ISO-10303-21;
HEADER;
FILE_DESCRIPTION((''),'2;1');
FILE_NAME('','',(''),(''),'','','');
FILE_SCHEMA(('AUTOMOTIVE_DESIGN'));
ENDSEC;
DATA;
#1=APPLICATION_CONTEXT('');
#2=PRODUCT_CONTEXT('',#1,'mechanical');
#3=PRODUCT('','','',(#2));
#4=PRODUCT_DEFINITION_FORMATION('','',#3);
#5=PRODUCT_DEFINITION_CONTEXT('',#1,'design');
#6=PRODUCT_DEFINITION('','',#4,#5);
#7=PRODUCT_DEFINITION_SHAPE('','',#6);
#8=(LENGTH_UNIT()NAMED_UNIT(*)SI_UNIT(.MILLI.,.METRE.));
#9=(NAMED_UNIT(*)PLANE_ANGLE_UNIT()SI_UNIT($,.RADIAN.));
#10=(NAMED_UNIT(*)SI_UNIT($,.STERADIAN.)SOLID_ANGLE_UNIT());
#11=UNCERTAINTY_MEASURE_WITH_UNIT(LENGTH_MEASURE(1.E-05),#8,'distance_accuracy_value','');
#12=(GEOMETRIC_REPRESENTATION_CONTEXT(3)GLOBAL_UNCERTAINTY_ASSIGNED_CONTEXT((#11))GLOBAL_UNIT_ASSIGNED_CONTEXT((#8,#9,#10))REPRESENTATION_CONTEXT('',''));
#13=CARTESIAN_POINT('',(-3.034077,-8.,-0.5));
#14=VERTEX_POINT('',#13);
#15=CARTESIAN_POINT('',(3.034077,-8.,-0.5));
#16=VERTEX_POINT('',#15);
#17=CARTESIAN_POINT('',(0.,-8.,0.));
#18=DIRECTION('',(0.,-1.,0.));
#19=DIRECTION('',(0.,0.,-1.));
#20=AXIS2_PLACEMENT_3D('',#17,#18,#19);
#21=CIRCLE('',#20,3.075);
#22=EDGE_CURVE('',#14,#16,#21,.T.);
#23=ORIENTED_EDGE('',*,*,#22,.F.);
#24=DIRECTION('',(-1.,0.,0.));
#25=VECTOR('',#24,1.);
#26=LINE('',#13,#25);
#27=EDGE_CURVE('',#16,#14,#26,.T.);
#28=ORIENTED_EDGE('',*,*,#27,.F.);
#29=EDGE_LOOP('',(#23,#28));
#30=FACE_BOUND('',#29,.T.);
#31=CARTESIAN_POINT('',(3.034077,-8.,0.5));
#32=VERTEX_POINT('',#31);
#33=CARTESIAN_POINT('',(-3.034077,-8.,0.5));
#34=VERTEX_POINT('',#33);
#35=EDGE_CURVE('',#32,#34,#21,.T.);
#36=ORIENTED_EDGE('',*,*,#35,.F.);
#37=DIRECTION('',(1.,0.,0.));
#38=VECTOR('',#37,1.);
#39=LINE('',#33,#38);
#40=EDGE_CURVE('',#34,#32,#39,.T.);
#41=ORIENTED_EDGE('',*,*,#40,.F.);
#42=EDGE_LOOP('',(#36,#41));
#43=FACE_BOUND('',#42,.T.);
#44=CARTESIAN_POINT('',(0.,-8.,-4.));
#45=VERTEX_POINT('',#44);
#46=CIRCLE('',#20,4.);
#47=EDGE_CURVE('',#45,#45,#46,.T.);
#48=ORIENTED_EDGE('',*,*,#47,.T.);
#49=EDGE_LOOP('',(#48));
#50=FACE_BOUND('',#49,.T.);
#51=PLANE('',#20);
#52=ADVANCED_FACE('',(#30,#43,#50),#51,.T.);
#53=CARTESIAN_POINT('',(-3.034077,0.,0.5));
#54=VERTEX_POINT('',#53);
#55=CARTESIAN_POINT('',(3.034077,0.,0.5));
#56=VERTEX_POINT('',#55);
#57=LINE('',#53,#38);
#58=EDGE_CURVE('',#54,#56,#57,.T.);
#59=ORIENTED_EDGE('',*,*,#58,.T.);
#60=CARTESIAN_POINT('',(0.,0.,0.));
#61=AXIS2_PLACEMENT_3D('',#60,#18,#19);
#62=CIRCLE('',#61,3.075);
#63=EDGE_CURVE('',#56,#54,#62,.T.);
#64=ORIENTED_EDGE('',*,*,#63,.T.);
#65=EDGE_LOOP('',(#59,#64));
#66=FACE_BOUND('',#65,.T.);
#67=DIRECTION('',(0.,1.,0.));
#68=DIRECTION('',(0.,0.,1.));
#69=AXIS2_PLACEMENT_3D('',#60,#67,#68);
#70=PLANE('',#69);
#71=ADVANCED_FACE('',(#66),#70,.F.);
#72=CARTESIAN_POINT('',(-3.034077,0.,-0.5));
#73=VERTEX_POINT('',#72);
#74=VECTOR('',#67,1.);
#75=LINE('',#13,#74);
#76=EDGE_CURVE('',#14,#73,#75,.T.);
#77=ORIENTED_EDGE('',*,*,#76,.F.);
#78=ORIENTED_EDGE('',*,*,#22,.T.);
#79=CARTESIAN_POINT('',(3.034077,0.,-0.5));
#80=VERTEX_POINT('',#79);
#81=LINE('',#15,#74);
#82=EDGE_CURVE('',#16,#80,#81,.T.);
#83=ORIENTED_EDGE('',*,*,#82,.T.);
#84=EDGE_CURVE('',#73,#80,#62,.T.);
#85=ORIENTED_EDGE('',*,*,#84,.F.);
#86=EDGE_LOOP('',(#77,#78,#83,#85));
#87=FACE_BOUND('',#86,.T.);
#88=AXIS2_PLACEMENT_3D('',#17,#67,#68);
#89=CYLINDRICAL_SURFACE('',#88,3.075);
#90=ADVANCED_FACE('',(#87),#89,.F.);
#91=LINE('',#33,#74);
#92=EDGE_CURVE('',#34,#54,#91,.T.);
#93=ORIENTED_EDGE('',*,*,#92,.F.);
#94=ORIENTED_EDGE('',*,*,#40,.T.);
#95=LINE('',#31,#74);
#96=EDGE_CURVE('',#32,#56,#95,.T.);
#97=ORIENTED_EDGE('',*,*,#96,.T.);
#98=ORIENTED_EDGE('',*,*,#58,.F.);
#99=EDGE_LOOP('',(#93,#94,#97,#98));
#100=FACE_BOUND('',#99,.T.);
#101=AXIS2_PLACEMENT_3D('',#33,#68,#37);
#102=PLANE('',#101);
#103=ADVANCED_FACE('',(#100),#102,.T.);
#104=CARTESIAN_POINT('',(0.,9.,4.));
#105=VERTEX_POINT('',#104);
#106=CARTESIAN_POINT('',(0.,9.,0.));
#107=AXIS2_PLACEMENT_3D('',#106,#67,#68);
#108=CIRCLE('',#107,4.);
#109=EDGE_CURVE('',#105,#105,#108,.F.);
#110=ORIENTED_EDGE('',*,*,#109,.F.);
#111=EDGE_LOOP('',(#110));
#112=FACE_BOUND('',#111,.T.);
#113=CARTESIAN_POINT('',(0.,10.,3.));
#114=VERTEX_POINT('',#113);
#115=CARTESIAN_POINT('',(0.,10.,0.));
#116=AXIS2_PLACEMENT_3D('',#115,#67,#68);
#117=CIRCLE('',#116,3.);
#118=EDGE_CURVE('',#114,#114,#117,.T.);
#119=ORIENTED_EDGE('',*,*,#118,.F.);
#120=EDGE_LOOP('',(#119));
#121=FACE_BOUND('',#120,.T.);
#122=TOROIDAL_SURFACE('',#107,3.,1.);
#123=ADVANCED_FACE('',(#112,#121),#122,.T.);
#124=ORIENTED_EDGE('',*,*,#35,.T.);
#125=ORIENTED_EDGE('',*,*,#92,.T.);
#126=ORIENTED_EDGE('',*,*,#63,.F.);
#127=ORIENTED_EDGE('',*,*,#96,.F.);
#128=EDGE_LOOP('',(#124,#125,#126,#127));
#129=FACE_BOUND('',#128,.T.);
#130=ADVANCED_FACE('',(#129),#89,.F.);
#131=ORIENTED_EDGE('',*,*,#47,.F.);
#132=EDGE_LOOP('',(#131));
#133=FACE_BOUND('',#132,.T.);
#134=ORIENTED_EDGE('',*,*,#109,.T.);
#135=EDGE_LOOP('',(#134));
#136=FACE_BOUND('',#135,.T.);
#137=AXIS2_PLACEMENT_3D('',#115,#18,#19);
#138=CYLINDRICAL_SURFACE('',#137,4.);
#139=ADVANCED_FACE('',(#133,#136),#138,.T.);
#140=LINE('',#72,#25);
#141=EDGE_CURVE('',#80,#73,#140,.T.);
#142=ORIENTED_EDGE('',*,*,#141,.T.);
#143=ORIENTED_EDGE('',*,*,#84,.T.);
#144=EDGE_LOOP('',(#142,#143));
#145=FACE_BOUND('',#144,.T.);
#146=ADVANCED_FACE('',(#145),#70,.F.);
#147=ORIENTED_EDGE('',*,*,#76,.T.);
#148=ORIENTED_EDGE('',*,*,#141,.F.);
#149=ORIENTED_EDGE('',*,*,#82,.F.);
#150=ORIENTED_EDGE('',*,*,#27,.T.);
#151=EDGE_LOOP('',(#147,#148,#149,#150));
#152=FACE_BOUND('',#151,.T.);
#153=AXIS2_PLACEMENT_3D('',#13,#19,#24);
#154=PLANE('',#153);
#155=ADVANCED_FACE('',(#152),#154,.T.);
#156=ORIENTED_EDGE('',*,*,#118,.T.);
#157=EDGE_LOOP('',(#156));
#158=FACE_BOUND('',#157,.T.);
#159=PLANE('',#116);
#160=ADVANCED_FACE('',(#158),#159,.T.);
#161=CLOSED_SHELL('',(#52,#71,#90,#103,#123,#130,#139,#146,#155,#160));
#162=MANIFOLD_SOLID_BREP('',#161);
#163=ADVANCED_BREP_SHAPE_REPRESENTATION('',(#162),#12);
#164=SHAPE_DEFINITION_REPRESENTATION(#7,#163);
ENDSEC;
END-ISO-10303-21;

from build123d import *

# Parameters (mm, degrees)
SKETCH1_R           = 4
BOSS_EXTRUDE1_DEPTH = 10
BOSS_EXTRUDE2_START = 8
SKETCH2_R           = 4
BOSS_EXTRUDE2_DEPTH = 8
FILLET3_R           = 1


with BuildPart() as part:
    # Sketch1 → Boss-Extrude1 (new body)
    with BuildSketch(Plane(origin=(0, 0, 0), x_dir=(1, 0, 0), z_dir=(0, 1, 0))):
        with Locations(Location((0, 0, 0), (0, 0, 270))):
            Circle(SKETCH1_R)
    extrude(amount=BOSS_EXTRUDE1_DEPTH)

    # Sketch2 → Boss-Extrude2 (add)
    with BuildSketch(Plane.XZ.offset(BOSS_EXTRUDE2_START)):
        with Locations(Location((0, 0, 0), (0, 0, 270))):
            Circle(SKETCH2_R)
        with BuildLine():
            Line((-3.03407729, -0.5), (3.03407729, -0.5))
            ThreePointArc((3.03407729, -0.5), (0, -3.075), (-3.03407729, -0.5))
        make_face(mode=Mode.SUBTRACT)
        with BuildLine():
            Line((-3.03407729, 0.5), (3.03407729, 0.5))
            ThreePointArc((3.03407729, 0.5), (0, 3.075), (-3.03407729, 0.5))
        make_face(mode=Mode.SUBTRACT)
    extrude(amount=-BOSS_EXTRUDE2_DEPTH)

    # Fillet3
    fillet3_edges = [part.edges().sort_by_distance(p)[0] for p in [
        (0, 10, -4),
    ]]
    fillet(fillet3_edges, radius=FILLET3_R)


solid = part.part
